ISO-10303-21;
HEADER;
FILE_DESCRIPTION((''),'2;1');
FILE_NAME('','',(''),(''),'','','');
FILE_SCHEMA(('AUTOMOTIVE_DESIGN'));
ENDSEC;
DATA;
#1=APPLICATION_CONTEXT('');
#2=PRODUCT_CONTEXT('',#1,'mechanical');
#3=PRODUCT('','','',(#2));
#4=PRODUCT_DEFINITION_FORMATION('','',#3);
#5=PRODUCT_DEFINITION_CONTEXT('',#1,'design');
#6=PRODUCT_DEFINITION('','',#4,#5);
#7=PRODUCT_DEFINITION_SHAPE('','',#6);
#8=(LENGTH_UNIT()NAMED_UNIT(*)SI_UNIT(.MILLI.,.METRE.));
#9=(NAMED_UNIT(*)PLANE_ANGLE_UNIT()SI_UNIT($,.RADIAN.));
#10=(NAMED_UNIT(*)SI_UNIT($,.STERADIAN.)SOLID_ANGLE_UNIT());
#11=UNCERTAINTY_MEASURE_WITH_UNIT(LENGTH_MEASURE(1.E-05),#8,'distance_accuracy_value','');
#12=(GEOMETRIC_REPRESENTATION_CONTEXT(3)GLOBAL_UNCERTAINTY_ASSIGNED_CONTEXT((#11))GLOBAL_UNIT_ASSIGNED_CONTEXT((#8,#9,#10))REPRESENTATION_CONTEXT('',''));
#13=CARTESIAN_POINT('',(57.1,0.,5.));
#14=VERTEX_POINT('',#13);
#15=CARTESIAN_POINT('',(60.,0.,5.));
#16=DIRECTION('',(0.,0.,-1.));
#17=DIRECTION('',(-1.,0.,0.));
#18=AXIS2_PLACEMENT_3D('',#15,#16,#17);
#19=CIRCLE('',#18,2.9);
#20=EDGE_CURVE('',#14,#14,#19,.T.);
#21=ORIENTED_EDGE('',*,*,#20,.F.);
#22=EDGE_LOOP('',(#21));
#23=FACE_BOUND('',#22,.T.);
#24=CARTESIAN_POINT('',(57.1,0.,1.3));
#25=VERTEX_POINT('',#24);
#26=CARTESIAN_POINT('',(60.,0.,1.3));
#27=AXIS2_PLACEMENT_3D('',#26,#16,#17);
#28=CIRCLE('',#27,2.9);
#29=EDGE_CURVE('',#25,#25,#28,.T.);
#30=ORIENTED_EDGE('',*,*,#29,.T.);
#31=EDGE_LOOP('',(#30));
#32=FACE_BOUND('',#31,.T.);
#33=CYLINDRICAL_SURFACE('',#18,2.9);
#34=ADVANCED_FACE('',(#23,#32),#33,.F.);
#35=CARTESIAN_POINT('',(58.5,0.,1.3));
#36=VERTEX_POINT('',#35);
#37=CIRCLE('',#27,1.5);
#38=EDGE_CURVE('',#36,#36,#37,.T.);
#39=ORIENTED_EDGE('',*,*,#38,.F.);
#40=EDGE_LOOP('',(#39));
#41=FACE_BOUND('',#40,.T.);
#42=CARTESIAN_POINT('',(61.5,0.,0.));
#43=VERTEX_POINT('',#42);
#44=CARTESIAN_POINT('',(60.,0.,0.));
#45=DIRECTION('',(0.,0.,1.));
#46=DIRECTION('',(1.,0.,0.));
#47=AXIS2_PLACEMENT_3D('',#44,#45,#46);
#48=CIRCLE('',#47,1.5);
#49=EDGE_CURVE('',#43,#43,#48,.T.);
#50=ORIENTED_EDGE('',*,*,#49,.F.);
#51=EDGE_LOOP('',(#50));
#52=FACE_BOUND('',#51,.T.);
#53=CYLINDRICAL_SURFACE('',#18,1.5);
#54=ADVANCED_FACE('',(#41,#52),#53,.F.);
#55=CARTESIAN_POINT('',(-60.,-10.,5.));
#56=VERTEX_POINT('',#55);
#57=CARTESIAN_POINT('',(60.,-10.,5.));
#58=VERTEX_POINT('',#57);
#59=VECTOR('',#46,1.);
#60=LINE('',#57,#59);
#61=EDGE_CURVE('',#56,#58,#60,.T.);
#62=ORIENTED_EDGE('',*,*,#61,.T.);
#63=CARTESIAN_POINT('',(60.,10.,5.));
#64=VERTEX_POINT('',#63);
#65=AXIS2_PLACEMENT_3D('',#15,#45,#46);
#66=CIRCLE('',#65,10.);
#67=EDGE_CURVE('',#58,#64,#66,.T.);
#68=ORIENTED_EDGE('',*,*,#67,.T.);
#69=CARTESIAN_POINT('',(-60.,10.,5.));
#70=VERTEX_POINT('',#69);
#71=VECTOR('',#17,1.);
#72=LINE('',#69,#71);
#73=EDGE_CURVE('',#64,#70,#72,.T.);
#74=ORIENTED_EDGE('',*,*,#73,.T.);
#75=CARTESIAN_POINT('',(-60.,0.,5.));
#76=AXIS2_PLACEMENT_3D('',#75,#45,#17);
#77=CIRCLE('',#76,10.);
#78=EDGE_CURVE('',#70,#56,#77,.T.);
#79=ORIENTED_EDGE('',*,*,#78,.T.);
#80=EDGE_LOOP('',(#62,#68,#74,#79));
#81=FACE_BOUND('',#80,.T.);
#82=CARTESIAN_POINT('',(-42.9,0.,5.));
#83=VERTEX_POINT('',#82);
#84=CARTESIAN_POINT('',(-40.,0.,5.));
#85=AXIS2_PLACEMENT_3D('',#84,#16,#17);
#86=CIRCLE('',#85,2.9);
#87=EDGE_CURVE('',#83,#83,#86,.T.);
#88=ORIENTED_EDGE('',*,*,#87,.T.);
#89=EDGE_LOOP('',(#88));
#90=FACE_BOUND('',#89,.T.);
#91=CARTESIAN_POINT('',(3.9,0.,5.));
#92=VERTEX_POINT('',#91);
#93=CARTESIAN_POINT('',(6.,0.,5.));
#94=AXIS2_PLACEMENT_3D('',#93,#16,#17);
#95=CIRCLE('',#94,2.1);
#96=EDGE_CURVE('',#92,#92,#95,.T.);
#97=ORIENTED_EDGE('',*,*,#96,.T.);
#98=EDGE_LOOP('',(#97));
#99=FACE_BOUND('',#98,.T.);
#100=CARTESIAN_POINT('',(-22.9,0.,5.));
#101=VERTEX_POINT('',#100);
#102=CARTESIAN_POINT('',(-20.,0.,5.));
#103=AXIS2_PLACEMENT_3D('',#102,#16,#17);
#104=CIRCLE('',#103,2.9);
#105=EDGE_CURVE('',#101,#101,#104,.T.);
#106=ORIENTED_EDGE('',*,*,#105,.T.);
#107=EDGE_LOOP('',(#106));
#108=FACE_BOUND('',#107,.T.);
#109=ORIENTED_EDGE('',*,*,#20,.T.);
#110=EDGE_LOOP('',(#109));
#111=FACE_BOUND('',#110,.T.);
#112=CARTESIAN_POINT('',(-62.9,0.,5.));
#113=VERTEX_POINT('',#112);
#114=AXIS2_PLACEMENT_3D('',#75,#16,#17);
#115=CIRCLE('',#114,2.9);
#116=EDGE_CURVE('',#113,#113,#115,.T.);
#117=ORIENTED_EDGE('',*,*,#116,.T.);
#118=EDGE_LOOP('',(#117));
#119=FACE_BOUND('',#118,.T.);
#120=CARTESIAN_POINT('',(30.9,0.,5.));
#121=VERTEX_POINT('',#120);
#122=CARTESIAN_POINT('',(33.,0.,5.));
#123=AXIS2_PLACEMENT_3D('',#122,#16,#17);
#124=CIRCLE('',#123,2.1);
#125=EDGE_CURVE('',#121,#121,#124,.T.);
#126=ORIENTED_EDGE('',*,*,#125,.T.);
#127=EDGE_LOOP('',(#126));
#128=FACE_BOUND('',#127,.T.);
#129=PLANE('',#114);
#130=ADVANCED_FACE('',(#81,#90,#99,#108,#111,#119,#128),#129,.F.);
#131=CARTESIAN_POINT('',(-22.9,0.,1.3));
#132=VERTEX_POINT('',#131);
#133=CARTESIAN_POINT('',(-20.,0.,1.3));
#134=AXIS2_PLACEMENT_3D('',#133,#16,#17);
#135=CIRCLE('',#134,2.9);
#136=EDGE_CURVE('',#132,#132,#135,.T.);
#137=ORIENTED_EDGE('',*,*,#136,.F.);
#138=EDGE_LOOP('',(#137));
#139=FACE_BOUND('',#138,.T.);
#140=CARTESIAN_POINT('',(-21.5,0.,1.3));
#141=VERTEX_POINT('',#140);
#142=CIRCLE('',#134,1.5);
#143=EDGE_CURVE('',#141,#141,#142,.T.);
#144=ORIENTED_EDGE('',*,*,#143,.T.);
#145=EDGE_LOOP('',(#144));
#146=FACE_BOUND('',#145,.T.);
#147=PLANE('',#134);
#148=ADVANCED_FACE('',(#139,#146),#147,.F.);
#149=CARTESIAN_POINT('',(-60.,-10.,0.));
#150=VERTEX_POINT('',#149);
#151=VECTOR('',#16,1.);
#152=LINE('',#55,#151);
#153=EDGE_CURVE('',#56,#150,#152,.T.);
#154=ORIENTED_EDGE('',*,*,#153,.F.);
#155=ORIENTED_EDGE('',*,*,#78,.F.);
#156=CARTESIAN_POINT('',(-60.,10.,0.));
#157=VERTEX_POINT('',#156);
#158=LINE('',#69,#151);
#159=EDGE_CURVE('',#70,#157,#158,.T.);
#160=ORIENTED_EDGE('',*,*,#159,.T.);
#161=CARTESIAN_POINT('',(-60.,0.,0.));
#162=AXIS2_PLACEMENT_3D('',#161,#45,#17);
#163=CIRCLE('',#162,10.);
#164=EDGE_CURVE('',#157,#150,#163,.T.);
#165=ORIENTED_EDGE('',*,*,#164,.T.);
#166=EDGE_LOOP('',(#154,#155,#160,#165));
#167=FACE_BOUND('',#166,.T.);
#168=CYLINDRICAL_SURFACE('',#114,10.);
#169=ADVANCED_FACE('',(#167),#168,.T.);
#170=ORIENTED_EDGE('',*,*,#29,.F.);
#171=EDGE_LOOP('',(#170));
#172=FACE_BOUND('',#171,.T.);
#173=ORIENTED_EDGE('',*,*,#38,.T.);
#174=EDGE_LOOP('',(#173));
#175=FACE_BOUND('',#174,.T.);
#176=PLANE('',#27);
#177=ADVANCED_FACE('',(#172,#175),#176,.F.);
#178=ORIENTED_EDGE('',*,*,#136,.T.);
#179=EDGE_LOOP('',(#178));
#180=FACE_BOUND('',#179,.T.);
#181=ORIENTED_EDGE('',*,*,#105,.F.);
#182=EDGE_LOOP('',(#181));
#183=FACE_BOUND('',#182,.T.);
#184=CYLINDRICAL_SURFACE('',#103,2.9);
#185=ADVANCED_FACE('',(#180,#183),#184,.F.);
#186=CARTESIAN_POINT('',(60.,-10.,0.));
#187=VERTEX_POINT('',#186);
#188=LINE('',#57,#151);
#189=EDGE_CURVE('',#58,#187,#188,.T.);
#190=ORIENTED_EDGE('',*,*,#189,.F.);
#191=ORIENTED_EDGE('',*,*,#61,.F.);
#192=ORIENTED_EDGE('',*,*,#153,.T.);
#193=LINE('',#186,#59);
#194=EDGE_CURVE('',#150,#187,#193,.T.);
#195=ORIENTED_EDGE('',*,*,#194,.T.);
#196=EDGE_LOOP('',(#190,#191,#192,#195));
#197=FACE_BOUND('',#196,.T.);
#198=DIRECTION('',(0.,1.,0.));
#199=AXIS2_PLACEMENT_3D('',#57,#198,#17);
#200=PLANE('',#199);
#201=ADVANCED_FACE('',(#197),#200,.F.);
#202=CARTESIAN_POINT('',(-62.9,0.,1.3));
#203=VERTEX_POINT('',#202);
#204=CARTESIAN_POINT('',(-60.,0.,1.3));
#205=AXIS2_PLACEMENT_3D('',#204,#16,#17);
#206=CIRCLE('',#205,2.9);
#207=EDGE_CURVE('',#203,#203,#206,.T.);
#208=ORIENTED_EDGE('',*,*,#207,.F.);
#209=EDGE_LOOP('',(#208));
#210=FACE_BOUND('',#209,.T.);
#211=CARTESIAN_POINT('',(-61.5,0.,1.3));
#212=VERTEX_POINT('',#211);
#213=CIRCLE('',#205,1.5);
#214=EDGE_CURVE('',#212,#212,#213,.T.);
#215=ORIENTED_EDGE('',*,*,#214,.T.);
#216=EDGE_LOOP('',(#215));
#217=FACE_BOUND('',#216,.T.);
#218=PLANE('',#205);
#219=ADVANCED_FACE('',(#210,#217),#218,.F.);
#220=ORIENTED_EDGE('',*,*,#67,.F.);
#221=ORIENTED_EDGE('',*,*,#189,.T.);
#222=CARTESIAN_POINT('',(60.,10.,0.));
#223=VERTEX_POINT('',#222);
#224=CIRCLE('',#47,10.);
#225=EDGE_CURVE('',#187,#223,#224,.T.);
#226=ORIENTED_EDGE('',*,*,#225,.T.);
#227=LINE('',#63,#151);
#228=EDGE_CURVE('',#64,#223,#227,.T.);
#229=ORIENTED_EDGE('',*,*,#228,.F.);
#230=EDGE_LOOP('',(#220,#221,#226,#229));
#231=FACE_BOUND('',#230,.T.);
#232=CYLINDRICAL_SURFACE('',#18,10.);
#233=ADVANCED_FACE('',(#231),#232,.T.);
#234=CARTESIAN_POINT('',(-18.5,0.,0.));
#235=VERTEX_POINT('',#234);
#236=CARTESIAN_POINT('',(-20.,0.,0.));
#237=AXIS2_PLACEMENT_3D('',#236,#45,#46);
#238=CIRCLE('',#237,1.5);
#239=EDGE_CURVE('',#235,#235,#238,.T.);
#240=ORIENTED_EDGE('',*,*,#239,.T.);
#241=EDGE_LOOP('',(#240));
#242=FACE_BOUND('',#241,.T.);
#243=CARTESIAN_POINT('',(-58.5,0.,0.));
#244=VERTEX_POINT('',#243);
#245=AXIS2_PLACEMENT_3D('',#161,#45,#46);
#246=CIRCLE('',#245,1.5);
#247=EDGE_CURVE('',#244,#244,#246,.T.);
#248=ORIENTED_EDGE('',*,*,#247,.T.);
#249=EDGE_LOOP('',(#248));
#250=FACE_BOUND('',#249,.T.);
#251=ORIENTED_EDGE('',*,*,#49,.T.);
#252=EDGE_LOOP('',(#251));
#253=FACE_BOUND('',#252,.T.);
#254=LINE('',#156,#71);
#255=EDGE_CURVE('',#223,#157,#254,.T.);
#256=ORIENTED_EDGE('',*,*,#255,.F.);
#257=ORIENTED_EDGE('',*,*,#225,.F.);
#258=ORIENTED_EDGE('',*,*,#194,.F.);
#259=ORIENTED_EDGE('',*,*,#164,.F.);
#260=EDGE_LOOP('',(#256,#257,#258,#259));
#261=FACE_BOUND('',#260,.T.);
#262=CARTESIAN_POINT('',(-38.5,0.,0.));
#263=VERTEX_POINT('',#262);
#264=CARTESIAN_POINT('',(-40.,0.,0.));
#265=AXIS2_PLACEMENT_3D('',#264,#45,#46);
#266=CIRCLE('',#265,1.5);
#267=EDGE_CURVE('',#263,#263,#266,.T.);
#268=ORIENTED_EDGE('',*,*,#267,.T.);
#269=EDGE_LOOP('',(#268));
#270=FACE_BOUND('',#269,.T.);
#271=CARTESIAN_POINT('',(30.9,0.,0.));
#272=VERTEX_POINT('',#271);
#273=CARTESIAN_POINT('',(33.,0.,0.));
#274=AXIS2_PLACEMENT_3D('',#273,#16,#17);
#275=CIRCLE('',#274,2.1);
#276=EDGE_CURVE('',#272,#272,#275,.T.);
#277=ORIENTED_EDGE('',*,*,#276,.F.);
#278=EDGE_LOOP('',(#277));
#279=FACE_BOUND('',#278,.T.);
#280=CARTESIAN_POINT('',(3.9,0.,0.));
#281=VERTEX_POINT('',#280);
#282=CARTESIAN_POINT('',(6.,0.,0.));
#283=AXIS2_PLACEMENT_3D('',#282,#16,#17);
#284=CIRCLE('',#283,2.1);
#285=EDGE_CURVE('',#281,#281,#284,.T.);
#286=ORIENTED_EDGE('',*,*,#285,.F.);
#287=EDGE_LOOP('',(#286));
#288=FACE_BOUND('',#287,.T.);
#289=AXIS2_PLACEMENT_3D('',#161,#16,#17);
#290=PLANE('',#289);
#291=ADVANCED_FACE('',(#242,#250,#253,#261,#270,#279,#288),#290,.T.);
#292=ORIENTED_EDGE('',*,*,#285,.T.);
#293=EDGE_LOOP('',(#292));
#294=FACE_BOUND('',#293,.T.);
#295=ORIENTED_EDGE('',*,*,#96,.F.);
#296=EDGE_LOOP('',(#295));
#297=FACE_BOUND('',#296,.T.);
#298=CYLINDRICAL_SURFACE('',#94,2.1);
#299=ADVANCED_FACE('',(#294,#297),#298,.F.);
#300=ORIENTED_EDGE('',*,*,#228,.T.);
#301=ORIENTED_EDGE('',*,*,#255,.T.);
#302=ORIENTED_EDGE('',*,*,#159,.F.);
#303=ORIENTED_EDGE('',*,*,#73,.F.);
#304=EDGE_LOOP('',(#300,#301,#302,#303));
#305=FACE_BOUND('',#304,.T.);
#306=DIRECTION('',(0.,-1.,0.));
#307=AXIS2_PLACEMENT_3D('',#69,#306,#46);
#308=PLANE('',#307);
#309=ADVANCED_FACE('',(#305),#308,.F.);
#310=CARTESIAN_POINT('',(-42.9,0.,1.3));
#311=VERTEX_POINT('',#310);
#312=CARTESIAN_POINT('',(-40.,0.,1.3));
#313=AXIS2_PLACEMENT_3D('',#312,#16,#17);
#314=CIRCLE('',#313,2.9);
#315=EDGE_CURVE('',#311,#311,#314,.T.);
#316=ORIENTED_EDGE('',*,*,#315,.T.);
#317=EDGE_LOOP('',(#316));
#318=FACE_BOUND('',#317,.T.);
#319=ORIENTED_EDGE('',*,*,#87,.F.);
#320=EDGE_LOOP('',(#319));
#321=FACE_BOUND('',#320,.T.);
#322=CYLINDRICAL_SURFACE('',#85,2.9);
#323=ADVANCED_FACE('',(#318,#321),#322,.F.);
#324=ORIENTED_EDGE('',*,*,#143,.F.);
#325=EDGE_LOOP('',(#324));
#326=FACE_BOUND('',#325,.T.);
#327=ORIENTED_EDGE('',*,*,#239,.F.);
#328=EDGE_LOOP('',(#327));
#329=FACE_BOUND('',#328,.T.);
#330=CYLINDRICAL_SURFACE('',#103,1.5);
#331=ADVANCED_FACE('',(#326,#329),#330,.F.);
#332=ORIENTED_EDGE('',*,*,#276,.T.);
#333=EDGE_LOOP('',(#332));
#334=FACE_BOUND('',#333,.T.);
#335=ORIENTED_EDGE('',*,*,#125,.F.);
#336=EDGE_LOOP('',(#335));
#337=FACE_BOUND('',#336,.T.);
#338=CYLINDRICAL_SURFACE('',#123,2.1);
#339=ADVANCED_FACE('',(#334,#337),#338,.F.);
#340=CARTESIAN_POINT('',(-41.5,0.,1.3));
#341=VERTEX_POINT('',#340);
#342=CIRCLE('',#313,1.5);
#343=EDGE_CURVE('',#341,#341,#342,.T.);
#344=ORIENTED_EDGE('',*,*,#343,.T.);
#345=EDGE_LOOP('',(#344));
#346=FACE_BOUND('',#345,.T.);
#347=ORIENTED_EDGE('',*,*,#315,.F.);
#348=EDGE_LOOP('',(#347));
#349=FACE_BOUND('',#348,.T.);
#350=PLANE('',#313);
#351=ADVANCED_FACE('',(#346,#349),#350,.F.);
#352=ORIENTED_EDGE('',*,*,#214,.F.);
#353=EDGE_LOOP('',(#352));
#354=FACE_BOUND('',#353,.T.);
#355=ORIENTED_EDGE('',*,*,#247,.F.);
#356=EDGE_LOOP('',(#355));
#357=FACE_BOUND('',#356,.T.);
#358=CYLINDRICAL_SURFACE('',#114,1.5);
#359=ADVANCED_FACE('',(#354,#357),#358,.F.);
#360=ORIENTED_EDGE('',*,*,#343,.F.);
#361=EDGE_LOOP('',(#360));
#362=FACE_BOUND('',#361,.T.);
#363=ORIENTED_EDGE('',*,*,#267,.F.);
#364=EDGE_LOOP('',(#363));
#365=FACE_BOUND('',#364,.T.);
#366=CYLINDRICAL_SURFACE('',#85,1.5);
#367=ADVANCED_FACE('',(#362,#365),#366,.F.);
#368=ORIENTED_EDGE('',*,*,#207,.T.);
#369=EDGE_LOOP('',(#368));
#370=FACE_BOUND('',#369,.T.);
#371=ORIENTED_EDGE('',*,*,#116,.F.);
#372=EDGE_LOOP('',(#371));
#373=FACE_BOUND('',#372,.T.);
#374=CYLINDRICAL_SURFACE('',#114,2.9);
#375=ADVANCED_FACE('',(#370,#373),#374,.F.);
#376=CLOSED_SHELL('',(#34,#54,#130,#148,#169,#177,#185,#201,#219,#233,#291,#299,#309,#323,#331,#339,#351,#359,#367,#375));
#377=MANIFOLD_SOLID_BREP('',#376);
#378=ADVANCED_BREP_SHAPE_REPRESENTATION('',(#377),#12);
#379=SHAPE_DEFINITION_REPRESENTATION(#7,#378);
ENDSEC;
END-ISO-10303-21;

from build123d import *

# Parameters (mm, degrees)
ESQUISSE1_R             = 1.5
EXTRUSION1_DEPTH        = 5
ESQUISSE2_R             = 2.9
ENL_V_MAT_EXTRU_1_DEPTH = 71.807414866
ESQUISSE3_R             = 2.1
ENL_V_MAT_EXTRU_2_DEPTH = 71.887234394


with BuildPart() as part:
    # Esquisse1 → Extrusion1 (new body)
    with BuildSketch(Plane.XY):
        with BuildLine():
            Line((-60, 10), (60, 10))
            ThreePointArc((60, 10), (70, 0), (60, -10))
            Line((60, -10), (-60, -10))
            ThreePointArc((-60, -10), (-70, 0), (-60, 10))
        make_face()
        with Locations((-40, 0)):
            Circle(ESQUISSE1_R, mode=Mode.SUBTRACT)
        with Locations((-20, 0)):
            Circle(ESQUISSE1_R, mode=Mode.SUBTRACT)
        with Locations((-60, 0)):
            Circle(ESQUISSE1_R, mode=Mode.SUBTRACT)
        with Locations((60, 0)):
            Circle(ESQUISSE1_R, mode=Mode.SUBTRACT)
    extrude(amount=EXTRUSION1_DEPTH)

    # Esquisse2 → Enlèv. mat.-Extru.1 (cut, through all)
    with BuildSketch(Plane(origin=(0, 0, 1.3), x_dir=(-1, 0, 0), z_dir=(0, 0, -1))):
        with Locations((-60, 0)):
            Circle(ESQUISSE2_R)
        with Locations((60, 0)):
            Circle(ESQUISSE2_R)
        with Locations((20, 0)):
            Circle(ESQUISSE2_R)
        with Locations((40, 0)):
            Circle(ESQUISSE2_R)
    extrude(amount=-ENL_V_MAT_EXTRU_1_DEPTH, mode=Mode.SUBTRACT)

    # Esquisse3 → Enlèv. mat.-Extru.2 (cut, through all)
    with BuildSketch(Plane(origin=(0, 0, 0), x_dir=(-1, 0, 0), z_dir=(0, 0, -1))):
        with Locations((-6, 0)):
            Circle(ESQUISSE3_R)
        with Locations((-33, 0)):
            Circle(ESQUISSE3_R)
    extrude(amount=-ENL_V_MAT_EXTRU_2_DEPTH, mode=Mode.SUBTRACT)


solid = part.part
